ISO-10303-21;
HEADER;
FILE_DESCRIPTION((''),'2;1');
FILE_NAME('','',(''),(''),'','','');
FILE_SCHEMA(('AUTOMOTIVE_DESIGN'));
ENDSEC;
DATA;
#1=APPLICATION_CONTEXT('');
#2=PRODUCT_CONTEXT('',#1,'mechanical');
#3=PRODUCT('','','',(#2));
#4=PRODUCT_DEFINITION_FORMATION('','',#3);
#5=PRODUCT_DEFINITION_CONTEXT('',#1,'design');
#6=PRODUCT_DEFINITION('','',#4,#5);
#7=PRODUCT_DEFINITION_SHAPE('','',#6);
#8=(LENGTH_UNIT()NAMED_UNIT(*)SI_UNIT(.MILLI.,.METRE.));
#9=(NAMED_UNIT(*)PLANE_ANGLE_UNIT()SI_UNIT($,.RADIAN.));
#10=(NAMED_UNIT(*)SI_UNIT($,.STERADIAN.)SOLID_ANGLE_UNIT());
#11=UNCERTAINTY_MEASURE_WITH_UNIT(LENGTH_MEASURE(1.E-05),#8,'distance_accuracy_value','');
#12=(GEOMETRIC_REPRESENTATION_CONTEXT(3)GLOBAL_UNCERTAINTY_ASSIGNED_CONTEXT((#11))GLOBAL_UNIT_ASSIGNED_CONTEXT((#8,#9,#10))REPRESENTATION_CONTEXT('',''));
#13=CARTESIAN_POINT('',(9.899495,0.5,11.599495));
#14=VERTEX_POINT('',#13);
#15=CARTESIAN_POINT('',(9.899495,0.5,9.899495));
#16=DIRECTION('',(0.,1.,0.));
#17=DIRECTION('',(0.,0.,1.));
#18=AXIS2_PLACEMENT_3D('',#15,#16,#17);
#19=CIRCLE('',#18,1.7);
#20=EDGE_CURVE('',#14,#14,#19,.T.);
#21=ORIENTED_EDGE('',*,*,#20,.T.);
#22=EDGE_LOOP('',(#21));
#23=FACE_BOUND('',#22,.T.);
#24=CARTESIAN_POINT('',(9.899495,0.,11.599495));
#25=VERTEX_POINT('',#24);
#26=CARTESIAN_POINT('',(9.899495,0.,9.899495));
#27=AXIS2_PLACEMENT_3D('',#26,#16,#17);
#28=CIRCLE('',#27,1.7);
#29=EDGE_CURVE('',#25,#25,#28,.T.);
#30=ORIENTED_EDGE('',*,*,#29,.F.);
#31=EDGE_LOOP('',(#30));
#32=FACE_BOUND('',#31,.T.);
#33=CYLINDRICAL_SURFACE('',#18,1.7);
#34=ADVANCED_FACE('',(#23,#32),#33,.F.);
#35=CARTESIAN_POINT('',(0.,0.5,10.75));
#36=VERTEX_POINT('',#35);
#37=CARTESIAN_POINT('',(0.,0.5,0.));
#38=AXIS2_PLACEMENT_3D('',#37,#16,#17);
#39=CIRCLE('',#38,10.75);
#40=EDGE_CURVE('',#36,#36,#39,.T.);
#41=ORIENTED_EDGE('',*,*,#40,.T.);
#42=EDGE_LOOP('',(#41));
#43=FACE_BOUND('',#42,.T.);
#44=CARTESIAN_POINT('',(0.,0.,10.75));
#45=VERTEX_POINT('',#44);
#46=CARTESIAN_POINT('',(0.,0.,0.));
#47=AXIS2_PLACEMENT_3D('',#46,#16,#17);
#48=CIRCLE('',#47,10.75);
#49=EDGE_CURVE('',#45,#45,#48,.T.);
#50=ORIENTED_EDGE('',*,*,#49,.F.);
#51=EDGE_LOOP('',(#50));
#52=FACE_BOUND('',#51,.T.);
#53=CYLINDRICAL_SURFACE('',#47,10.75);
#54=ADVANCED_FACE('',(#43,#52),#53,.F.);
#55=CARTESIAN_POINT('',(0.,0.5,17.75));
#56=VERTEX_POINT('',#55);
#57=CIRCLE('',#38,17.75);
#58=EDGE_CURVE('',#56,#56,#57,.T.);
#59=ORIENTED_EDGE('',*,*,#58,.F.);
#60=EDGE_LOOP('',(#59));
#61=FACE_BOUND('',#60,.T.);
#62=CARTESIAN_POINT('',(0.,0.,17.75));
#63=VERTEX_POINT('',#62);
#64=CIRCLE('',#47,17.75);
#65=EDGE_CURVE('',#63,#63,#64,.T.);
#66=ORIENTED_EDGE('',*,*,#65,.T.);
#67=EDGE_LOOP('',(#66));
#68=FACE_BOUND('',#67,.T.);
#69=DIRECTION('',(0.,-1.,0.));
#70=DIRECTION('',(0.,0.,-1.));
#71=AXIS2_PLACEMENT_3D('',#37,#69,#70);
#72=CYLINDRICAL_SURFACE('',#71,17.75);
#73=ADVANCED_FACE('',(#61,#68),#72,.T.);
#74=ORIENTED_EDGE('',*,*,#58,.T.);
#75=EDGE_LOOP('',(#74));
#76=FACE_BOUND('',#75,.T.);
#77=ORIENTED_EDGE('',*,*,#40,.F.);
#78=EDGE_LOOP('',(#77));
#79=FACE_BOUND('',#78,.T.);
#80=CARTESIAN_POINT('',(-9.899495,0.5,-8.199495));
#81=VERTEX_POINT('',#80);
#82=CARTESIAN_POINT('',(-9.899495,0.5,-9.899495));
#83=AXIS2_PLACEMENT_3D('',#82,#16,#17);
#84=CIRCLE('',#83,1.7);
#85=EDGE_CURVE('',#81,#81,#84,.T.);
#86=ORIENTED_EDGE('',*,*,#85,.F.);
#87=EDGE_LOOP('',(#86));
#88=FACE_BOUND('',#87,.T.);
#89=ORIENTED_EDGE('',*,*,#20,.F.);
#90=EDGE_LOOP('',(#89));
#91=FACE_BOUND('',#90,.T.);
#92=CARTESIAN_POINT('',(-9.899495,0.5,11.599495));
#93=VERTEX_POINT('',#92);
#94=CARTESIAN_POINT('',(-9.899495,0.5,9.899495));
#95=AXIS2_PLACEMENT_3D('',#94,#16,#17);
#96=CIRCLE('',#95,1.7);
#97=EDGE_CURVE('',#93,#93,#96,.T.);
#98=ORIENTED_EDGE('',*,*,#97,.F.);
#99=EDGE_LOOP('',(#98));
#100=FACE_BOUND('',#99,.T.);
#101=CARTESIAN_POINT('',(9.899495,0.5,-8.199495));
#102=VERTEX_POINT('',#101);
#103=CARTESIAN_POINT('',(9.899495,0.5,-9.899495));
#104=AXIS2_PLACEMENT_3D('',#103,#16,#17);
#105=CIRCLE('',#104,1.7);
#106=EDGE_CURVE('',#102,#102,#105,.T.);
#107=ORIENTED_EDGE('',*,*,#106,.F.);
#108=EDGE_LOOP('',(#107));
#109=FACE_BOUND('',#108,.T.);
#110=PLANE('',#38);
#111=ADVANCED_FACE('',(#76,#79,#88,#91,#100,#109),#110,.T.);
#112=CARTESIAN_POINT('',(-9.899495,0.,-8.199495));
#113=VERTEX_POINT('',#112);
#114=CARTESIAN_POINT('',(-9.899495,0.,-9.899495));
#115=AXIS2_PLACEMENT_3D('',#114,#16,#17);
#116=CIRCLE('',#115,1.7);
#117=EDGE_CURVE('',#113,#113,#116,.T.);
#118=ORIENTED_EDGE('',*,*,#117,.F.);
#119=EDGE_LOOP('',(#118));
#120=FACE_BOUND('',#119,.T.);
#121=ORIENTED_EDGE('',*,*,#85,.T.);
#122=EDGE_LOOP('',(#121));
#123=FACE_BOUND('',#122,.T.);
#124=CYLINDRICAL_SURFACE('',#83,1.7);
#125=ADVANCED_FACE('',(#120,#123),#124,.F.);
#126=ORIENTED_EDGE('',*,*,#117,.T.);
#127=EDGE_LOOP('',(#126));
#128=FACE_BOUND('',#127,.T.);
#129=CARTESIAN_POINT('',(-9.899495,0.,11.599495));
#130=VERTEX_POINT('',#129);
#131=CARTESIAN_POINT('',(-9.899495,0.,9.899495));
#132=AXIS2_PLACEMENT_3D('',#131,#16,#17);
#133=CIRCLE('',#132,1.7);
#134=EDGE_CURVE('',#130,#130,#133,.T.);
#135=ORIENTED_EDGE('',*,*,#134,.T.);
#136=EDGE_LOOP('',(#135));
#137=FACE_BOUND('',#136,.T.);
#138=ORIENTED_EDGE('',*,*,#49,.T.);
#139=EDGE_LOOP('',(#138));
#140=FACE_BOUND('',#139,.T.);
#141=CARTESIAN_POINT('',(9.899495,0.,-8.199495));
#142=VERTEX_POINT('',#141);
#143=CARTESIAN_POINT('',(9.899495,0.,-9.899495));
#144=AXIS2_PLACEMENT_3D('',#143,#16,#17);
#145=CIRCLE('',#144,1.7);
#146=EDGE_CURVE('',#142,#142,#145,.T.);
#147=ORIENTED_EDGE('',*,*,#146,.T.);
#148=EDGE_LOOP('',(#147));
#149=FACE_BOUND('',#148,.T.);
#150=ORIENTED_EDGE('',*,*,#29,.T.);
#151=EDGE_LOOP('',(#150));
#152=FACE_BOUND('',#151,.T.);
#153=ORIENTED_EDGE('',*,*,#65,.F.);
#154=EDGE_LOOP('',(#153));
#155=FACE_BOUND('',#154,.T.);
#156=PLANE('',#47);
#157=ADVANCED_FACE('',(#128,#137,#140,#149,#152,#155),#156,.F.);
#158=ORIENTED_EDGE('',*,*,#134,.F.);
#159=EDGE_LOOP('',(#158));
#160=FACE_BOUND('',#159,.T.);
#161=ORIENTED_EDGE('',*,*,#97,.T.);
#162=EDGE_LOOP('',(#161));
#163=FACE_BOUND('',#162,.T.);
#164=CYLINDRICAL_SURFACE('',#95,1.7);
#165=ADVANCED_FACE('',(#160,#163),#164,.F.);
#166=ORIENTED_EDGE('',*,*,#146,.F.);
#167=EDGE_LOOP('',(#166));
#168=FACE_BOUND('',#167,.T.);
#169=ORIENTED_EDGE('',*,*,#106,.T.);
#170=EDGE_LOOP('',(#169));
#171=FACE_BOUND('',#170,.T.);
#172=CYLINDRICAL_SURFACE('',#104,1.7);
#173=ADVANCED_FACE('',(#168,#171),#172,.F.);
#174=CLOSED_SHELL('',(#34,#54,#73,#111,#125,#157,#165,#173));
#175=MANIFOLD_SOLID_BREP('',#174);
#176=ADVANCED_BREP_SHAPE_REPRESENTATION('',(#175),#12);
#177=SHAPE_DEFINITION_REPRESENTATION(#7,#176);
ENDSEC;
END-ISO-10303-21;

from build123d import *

# Parameters (mm, degrees)
SKETCH_1_R          = 17.75
EXTRUDE_1_DEPTH     = 0.5
SKETCH_2_R          = 10.75
CUT_EXTRUDE_1_DEPTH = 26.107269864
HOLE_WIZARD_M3_1_D  = 3.4


with BuildPart() as part:
    # ｽｹｯﾁ1 → ﾎﾞｽ - 押し出し1 (new body)
    with BuildSketch(Plane(origin=(0, 0, 0), x_dir=(1, 0, 0), z_dir=(0, 1, 0))):
        with Locations(Location((0, 0, 0), (0, 0, 270))):
            Circle(SKETCH_1_R)
    extrude(amount=EXTRUDE_1_DEPTH)

    # ｽｹｯﾁ2 → ｶｯﾄ - 押し出し1 (cut, through all)
    with BuildSketch(Plane(origin=(0, 0.5, 0), x_dir=(1, 0, 0), z_dir=(0, 1, 0))):
        with Locations(Location((0, 0, 0), (0, 0, 270))):
            Circle(SKETCH_2_R)
    extrude(amount=-CUT_EXTRUDE_1_DEPTH, mode=Mode.SUBTRACT)

    # M3 すきま穴1 (through all)
    with Locations(Plane(origin=(0, 0.5, 0), x_dir=(1, 0, 0), z_dir=(0, 1, 0))):
        with Locations((-9.899494937, 9.899494937), (9.899494937, -9.899494937), (-9.899494937, -9.899494937), (9.899494937, 9.899494937)):
            Hole(HOLE_WIZARD_M3_1_D / 2)


solid = part.part
